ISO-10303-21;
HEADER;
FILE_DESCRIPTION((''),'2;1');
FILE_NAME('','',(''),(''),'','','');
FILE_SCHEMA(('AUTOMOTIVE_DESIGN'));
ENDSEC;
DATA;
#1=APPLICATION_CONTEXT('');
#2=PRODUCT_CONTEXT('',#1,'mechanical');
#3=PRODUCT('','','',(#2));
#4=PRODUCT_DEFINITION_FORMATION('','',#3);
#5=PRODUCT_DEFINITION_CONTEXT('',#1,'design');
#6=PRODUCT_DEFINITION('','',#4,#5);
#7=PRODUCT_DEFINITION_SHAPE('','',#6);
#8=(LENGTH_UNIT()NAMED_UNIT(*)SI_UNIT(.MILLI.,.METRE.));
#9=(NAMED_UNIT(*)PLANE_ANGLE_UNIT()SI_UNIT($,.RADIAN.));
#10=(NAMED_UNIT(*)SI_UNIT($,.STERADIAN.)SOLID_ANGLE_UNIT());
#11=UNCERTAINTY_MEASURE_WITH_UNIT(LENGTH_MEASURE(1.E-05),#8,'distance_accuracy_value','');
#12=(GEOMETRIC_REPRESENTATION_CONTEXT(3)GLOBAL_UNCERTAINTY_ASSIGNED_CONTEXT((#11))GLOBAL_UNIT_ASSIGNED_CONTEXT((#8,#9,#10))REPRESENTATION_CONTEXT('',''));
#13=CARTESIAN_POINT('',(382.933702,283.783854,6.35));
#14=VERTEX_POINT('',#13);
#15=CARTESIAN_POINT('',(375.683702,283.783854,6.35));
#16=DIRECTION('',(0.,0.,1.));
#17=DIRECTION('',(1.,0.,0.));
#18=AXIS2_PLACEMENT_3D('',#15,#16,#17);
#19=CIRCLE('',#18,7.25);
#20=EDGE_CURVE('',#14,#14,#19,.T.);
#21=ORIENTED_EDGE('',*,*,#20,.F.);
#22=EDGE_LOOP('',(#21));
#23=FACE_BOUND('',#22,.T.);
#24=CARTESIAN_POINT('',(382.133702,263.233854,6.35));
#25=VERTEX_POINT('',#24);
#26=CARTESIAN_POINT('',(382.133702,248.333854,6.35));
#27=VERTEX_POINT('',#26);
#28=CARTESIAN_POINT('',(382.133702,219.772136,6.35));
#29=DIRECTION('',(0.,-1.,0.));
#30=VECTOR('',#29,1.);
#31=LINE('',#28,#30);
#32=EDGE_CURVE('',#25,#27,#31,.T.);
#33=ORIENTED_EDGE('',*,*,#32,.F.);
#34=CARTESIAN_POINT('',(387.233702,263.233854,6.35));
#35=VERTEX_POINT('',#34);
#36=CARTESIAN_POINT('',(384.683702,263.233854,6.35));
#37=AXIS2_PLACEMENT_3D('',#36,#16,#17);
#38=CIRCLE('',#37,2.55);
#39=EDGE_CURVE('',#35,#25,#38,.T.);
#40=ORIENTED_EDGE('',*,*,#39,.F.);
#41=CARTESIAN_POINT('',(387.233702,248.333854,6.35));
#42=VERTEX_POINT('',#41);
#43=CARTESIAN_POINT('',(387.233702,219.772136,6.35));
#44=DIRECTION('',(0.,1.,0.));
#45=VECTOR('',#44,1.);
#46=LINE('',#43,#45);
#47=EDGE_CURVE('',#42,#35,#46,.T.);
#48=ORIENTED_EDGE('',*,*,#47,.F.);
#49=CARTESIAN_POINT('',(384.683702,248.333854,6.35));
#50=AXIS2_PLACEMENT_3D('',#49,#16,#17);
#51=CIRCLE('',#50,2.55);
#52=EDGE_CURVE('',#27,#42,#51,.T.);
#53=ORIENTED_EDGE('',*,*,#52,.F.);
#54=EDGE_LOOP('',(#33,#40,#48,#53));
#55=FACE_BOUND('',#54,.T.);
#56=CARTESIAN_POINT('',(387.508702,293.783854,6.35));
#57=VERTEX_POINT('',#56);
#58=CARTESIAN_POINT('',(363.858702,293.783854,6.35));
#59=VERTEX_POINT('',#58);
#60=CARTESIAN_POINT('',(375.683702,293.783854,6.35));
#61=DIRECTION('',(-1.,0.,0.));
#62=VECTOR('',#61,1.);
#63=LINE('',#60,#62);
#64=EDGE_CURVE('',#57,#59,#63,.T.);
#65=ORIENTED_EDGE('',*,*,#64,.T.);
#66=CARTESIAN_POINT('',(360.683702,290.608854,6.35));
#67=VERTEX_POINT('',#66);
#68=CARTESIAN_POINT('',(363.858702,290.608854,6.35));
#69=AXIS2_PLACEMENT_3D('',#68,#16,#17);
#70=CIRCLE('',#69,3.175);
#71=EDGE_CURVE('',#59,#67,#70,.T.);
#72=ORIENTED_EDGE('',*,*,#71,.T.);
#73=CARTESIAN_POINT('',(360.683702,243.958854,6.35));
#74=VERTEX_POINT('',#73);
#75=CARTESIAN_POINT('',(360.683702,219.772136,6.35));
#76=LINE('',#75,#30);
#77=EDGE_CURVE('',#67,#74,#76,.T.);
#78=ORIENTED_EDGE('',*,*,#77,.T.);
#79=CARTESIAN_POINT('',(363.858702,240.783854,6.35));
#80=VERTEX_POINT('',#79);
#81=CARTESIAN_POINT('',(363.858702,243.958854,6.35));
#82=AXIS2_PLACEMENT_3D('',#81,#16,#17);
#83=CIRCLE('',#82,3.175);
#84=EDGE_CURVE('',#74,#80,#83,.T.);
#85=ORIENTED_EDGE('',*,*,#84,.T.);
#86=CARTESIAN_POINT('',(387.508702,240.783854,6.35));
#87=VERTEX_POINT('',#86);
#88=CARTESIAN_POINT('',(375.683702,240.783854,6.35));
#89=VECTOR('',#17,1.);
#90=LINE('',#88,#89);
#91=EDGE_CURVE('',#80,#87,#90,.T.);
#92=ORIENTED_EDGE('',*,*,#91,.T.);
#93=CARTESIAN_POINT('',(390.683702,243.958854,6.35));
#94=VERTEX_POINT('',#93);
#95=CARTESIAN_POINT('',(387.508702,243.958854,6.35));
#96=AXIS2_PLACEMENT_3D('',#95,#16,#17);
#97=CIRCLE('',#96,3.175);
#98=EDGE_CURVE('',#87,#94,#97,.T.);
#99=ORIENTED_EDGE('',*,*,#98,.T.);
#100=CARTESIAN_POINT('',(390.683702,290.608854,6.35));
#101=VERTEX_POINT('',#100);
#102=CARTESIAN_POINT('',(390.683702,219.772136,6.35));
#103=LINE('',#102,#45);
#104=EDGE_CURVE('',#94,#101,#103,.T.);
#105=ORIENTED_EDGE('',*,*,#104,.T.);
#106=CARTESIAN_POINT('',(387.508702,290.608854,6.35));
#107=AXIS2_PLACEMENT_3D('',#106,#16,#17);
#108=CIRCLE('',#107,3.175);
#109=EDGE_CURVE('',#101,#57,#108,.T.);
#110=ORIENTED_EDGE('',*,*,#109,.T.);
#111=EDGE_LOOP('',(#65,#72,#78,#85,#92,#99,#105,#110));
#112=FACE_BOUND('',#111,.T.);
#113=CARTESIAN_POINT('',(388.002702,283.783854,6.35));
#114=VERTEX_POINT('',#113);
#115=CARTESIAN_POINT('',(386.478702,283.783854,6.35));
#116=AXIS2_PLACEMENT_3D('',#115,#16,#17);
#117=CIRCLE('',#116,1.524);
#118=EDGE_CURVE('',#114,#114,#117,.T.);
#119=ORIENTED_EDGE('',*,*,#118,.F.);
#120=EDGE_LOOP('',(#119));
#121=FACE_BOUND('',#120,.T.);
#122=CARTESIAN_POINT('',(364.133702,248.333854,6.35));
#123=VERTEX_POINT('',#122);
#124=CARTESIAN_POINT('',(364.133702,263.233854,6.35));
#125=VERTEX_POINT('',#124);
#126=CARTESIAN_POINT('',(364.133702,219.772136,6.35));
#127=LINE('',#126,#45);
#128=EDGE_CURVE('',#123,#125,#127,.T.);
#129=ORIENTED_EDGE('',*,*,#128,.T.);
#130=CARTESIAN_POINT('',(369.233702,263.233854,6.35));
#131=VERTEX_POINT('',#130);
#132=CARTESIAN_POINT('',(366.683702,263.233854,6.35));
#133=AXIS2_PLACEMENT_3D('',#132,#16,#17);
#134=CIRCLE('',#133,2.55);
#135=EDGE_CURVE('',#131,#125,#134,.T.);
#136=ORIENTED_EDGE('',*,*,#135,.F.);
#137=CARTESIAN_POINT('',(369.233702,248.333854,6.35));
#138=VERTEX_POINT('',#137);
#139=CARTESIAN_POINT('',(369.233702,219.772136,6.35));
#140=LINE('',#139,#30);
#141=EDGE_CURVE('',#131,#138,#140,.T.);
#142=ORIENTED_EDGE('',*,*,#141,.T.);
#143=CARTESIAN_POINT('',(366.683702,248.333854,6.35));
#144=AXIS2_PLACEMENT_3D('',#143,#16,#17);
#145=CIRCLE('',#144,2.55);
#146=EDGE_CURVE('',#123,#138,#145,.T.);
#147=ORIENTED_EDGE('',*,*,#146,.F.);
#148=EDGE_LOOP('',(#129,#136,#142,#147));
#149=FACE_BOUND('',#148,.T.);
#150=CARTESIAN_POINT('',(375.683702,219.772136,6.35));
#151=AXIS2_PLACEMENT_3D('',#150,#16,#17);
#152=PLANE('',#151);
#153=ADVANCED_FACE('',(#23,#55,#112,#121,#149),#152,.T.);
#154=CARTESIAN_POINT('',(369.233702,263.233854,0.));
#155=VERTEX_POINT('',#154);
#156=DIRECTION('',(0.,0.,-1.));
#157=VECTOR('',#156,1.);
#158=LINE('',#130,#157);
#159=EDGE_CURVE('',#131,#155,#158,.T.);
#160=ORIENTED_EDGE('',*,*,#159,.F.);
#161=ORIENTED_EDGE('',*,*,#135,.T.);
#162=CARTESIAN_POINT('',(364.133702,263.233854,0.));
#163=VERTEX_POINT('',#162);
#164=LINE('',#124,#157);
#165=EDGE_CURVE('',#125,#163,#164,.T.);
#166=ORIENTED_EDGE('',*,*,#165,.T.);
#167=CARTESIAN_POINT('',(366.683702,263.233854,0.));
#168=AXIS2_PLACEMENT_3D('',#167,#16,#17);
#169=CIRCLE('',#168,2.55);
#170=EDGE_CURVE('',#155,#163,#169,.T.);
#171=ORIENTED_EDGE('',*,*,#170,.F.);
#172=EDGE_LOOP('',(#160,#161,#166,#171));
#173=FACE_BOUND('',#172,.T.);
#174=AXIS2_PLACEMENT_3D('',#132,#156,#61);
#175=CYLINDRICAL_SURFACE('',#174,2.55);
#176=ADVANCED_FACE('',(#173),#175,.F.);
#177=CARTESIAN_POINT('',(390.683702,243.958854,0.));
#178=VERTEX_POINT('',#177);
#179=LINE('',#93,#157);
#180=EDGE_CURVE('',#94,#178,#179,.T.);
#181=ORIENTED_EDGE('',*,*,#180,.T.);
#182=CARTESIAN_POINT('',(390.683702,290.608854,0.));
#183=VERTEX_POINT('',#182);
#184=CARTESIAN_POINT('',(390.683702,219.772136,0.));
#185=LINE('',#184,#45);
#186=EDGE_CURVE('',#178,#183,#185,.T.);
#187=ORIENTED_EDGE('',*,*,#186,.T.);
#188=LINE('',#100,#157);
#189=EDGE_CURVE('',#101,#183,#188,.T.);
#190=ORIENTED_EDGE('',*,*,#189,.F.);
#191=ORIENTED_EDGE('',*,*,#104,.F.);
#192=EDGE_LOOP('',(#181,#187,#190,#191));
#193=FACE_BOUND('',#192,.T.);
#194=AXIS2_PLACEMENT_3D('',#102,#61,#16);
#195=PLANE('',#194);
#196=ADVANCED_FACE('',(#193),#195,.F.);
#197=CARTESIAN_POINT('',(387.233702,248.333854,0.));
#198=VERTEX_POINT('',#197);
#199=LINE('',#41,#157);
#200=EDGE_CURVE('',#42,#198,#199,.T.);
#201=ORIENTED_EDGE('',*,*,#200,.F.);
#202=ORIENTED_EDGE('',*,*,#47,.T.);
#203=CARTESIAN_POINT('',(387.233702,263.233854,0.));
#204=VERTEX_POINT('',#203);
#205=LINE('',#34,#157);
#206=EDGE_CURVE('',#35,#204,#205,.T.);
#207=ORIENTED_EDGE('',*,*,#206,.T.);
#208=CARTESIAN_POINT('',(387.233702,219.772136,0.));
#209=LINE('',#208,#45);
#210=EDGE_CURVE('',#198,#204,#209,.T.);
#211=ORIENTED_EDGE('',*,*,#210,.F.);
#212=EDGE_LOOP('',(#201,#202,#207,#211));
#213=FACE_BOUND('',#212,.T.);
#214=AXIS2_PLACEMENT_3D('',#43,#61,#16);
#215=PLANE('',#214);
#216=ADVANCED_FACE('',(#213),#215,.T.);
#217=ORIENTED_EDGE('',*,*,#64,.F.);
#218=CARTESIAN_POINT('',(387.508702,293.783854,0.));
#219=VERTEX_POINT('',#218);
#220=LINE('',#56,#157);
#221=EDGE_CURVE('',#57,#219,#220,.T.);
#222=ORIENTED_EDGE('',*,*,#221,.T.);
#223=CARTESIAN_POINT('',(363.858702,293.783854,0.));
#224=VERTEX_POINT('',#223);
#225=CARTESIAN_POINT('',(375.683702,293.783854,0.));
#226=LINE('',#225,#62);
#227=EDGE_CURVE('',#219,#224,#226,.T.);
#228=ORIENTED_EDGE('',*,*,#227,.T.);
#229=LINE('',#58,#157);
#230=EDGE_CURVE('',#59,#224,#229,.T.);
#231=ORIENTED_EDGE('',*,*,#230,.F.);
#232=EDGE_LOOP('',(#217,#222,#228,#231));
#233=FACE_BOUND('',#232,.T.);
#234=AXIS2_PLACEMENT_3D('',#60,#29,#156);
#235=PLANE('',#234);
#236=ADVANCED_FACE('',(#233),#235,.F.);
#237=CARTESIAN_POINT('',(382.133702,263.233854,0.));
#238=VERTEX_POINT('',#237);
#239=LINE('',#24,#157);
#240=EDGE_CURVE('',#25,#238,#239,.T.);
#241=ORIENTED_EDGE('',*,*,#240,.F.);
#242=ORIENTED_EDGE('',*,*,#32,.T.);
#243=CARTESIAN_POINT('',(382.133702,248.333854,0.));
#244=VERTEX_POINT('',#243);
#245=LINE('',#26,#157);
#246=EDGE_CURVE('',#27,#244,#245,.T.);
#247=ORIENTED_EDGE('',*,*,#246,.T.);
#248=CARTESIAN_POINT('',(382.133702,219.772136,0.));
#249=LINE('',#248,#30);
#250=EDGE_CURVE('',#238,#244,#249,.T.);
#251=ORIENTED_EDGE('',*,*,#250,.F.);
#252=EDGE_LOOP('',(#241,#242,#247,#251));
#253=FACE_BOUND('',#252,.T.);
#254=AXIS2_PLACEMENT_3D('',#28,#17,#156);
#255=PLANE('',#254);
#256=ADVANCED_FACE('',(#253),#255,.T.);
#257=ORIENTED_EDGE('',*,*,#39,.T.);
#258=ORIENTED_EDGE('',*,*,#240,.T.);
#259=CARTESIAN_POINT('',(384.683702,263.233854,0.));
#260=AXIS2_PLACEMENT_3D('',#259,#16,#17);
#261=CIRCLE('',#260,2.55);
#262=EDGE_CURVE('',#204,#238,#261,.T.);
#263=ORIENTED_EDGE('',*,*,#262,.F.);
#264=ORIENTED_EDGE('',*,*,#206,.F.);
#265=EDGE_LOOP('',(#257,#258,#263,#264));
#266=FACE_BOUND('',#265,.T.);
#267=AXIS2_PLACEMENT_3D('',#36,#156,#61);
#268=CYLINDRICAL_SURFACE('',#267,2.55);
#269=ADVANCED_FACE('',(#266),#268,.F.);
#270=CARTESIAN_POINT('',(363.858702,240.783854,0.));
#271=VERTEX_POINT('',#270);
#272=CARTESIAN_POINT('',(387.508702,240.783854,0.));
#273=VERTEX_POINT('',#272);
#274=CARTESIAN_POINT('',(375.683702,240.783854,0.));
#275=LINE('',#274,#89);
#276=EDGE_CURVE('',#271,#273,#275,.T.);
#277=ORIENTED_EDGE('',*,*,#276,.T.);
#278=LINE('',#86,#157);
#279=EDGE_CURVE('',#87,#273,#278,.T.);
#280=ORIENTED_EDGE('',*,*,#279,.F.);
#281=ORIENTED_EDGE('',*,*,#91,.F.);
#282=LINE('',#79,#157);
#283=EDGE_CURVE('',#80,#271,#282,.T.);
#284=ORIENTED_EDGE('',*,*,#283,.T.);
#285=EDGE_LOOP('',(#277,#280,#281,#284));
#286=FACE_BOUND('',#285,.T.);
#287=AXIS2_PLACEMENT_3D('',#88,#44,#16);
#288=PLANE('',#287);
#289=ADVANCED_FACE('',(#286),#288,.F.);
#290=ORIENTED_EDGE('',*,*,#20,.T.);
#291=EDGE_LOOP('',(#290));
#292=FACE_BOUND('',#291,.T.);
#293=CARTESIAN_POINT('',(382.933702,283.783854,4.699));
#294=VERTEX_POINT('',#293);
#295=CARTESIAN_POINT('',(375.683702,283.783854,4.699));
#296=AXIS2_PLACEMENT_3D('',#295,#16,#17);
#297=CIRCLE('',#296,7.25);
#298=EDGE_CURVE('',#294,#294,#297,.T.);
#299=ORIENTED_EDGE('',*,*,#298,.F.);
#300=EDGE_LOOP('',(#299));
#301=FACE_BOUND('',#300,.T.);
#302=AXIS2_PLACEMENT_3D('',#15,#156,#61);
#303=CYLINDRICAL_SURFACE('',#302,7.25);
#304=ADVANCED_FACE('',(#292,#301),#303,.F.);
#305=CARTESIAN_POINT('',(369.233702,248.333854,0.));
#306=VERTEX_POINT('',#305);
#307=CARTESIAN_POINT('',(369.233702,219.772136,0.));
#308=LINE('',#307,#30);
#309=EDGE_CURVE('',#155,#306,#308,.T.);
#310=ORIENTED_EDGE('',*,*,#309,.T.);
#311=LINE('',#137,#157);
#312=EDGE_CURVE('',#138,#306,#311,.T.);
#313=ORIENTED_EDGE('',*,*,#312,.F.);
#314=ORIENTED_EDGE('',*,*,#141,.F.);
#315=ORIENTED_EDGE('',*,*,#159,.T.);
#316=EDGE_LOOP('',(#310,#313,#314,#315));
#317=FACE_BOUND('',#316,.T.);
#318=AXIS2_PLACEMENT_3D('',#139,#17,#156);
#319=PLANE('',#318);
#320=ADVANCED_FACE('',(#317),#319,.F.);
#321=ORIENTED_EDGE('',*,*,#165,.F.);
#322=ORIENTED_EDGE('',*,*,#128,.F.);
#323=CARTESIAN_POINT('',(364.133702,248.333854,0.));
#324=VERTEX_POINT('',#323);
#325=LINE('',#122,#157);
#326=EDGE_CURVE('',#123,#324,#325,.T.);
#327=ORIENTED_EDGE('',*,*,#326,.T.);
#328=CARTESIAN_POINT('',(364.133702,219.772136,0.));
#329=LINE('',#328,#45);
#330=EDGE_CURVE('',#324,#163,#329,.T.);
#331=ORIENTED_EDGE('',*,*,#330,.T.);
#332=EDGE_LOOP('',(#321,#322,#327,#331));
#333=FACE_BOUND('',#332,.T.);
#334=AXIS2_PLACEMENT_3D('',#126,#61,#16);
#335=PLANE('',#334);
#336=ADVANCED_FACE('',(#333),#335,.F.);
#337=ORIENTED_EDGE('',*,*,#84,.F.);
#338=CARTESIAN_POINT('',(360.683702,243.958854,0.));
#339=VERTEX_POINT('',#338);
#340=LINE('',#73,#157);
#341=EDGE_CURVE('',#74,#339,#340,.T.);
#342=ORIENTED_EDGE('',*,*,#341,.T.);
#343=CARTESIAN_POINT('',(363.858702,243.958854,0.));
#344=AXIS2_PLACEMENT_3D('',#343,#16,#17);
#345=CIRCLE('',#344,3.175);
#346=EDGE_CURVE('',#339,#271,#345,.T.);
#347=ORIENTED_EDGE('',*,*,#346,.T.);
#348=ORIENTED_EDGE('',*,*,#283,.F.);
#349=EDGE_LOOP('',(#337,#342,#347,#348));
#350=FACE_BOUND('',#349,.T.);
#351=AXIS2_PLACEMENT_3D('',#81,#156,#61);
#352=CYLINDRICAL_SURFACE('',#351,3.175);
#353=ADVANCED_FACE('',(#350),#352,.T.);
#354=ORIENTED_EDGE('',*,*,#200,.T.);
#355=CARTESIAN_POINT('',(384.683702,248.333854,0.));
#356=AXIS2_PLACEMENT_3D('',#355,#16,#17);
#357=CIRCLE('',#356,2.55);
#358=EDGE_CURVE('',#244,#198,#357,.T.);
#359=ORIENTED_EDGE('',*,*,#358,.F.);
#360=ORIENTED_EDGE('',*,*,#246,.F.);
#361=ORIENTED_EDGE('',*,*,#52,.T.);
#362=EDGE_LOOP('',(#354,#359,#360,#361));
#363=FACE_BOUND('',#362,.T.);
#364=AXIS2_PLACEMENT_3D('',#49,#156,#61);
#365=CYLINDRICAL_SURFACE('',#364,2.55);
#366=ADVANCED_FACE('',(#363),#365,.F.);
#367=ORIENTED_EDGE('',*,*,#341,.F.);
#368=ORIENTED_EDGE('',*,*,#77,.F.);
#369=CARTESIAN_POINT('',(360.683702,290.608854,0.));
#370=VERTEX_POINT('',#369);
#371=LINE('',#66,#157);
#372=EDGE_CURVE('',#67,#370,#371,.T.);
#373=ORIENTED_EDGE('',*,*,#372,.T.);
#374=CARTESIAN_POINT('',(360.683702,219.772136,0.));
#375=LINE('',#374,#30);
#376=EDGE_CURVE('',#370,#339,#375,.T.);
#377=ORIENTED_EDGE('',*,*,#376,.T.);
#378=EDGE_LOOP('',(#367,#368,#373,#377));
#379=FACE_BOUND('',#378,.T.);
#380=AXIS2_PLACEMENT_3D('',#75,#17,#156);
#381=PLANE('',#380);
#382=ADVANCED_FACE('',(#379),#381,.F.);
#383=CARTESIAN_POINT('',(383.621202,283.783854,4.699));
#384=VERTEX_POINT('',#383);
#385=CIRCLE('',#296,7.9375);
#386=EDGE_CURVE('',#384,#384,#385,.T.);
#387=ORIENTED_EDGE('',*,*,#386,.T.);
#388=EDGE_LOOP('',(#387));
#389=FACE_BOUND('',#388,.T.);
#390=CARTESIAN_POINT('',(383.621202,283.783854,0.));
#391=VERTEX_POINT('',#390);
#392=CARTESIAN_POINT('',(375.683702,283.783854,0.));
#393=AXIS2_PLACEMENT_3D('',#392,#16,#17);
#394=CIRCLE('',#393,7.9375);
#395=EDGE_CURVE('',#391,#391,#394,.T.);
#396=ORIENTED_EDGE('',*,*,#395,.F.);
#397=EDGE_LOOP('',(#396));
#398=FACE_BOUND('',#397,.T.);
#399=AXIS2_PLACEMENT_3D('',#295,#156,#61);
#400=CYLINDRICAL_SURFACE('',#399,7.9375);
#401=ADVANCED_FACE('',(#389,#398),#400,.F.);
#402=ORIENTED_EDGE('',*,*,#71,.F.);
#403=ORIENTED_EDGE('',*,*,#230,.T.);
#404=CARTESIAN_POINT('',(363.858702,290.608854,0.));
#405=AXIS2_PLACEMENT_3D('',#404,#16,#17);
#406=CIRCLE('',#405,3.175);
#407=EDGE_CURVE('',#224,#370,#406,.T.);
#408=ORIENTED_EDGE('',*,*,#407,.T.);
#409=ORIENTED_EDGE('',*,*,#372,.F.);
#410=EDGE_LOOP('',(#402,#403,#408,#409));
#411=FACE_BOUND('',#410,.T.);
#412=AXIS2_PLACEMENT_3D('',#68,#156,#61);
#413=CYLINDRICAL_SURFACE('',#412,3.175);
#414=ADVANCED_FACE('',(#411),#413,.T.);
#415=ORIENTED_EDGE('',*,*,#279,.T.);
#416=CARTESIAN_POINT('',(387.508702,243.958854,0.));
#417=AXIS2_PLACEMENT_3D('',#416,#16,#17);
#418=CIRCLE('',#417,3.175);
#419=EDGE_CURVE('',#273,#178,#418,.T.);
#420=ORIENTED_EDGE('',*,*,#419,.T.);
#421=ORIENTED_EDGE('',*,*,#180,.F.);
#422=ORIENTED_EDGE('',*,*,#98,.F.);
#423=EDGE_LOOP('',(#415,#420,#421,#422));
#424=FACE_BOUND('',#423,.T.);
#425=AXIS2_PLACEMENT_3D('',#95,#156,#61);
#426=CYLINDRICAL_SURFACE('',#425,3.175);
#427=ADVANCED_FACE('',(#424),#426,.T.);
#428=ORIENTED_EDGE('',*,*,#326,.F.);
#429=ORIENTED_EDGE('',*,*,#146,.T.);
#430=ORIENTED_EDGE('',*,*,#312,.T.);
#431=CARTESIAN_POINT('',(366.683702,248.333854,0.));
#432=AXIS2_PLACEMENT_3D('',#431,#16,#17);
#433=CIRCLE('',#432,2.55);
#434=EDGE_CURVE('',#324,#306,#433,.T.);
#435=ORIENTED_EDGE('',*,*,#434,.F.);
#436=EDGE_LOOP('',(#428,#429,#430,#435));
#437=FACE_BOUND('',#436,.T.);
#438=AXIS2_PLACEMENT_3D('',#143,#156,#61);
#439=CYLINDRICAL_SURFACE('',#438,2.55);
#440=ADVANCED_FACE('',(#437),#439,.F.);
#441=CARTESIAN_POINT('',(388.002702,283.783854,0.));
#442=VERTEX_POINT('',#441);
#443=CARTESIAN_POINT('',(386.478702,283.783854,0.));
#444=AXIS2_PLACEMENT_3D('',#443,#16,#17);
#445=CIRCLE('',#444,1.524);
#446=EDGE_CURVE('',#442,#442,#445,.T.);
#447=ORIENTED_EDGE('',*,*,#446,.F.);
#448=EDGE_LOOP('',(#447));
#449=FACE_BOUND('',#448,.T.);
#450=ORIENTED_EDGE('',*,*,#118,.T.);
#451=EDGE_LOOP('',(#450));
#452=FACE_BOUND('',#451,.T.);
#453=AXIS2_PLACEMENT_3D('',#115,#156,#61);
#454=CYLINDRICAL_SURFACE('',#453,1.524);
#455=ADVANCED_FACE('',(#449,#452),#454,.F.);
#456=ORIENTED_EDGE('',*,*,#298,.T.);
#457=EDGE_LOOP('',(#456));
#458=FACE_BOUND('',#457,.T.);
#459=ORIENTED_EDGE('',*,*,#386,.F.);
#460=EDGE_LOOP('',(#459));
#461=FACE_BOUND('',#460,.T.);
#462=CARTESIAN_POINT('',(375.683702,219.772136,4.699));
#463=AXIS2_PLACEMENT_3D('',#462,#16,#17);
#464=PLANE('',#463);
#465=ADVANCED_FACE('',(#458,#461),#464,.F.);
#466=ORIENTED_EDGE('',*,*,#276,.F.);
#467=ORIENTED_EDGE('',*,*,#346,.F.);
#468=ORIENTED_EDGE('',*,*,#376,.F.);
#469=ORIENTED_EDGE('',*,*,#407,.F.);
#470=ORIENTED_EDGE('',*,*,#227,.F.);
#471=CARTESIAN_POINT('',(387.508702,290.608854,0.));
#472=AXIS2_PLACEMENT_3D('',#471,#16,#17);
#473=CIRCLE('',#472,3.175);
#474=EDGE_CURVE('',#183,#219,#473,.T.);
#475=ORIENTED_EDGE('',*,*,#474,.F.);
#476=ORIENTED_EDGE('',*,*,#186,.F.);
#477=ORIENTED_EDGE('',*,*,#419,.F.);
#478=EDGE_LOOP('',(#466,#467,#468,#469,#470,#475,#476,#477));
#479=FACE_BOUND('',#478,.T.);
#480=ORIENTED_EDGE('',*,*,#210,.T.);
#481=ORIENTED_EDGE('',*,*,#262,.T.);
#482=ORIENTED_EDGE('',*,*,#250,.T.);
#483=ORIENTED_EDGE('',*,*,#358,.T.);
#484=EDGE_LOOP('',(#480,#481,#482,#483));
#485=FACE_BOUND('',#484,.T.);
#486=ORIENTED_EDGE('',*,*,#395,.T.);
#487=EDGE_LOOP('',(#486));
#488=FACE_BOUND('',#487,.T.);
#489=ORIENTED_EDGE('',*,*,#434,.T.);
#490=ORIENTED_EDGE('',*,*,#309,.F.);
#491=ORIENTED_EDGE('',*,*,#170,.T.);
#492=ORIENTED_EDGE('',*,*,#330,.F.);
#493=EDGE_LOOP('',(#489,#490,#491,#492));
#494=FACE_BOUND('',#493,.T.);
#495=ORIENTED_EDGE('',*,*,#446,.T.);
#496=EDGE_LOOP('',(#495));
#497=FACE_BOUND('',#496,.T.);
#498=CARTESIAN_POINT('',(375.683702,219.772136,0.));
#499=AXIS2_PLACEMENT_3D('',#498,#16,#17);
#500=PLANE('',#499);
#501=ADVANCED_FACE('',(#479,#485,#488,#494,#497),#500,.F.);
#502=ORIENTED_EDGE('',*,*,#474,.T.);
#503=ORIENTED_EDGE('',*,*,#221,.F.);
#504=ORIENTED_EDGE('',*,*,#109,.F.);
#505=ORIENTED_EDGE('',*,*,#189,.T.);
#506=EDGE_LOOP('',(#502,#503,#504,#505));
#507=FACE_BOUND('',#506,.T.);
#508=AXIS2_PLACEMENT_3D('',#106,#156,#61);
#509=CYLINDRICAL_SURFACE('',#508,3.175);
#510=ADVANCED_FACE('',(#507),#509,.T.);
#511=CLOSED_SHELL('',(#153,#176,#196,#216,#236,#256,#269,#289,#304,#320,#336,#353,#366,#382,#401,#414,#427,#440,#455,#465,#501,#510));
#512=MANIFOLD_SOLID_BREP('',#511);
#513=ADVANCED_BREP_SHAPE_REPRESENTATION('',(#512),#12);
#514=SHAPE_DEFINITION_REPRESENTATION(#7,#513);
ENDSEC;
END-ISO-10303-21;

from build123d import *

# Parameters (mm, degrees)
SKETCH1_R           = 1.524
SKETCH1_R_2         = 7.250000001
BOSS_EXTRUDE1_DEPTH = 6.35
SKETCH1_3_R         = 7.9375
SKETCH1_3_R_2       = 7.250000001
CUT_EXTRUDE1_DEPTH  = 4.699


with BuildPart() as part:
    # Sketch1 → Boss-Extrude1 (new body)
    with BuildSketch(Plane.XY):
        with BuildLine():
            ThreePointArc((360.683701588, 243.958854223), (361.613637557, 241.713790192), (363.858701588, 240.783854223))
            Line((363.858701588, 240.783854223), (387.508701588, 240.783854223))
            ThreePointArc((387.508701588, 240.783854223), (389.753765618, 241.713790192), (390.683701588, 243.958854223))
            Line((390.683701588, 243.958854223), (390.683701588, 290.608854224))
            ThreePointArc((390.683701588, 290.608854224), (389.753765618, 292.853918255), (387.508701588, 293.783854224))
            Line((387.508701588, 293.783854224), (363.858701588, 293.783854224))
            ThreePointArc((363.858701588, 293.783854224), (361.613637557, 292.853918255), (360.683701588, 290.608854224))
            Line((360.683701588, 290.608854224), (360.683701588, 243.958854223))
        make_face()
        with BuildLine():
            ThreePointArc((369.233701587, 248.333854223), (366.683701588, 245.783854224), (364.133701589, 248.333854223))
            Line((364.133701589, 248.333854223), (364.133701589, 263.233854225))
            ThreePointArc((364.133701589, 263.233854225), (366.683701588, 265.783854224), (369.233701587, 263.233854225))
            Line((369.233701587, 263.233854225), (369.233701587, 248.333854223))
        make_face(mode=Mode.SUBTRACT)
        with BuildLine():
            Line((382.133701588, 248.333854223), (382.133701588, 263.233854225))
            ThreePointArc((382.133701588, 263.233854225), (384.683701589, 265.783854225), (387.233701589, 263.233854225))
            Line((387.233701589, 263.233854225), (387.233701589, 248.333854223))
            ThreePointArc((387.233701589, 248.333854223), (384.683701589, 245.783854223), (382.133701588, 248.333854223))
        make_face(mode=Mode.SUBTRACT)
        with Locations((386.478701588, 283.783854224)):
            Circle(SKETCH1_R, mode=Mode.SUBTRACT)
        with Locations((375.683701588, 283.783854224)):
            Circle(SKETCH1_R_2, mode=Mode.SUBTRACT)
    extrude(amount=BOSS_EXTRUDE1_DEPTH)

    # Sketch1<3> → Cut-Extrude1 (cut)
    with BuildSketch(Plane.XY):
        with Locations((375.683701588, 283.783854224)):
            Circle(SKETCH1_3_R)
        with Locations((375.683701588, 283.783854224)):
            Circle(SKETCH1_3_R_2, mode=Mode.SUBTRACT)
    extrude(amount=CUT_EXTRUDE1_DEPTH, mode=Mode.SUBTRACT)


solid = part.part
